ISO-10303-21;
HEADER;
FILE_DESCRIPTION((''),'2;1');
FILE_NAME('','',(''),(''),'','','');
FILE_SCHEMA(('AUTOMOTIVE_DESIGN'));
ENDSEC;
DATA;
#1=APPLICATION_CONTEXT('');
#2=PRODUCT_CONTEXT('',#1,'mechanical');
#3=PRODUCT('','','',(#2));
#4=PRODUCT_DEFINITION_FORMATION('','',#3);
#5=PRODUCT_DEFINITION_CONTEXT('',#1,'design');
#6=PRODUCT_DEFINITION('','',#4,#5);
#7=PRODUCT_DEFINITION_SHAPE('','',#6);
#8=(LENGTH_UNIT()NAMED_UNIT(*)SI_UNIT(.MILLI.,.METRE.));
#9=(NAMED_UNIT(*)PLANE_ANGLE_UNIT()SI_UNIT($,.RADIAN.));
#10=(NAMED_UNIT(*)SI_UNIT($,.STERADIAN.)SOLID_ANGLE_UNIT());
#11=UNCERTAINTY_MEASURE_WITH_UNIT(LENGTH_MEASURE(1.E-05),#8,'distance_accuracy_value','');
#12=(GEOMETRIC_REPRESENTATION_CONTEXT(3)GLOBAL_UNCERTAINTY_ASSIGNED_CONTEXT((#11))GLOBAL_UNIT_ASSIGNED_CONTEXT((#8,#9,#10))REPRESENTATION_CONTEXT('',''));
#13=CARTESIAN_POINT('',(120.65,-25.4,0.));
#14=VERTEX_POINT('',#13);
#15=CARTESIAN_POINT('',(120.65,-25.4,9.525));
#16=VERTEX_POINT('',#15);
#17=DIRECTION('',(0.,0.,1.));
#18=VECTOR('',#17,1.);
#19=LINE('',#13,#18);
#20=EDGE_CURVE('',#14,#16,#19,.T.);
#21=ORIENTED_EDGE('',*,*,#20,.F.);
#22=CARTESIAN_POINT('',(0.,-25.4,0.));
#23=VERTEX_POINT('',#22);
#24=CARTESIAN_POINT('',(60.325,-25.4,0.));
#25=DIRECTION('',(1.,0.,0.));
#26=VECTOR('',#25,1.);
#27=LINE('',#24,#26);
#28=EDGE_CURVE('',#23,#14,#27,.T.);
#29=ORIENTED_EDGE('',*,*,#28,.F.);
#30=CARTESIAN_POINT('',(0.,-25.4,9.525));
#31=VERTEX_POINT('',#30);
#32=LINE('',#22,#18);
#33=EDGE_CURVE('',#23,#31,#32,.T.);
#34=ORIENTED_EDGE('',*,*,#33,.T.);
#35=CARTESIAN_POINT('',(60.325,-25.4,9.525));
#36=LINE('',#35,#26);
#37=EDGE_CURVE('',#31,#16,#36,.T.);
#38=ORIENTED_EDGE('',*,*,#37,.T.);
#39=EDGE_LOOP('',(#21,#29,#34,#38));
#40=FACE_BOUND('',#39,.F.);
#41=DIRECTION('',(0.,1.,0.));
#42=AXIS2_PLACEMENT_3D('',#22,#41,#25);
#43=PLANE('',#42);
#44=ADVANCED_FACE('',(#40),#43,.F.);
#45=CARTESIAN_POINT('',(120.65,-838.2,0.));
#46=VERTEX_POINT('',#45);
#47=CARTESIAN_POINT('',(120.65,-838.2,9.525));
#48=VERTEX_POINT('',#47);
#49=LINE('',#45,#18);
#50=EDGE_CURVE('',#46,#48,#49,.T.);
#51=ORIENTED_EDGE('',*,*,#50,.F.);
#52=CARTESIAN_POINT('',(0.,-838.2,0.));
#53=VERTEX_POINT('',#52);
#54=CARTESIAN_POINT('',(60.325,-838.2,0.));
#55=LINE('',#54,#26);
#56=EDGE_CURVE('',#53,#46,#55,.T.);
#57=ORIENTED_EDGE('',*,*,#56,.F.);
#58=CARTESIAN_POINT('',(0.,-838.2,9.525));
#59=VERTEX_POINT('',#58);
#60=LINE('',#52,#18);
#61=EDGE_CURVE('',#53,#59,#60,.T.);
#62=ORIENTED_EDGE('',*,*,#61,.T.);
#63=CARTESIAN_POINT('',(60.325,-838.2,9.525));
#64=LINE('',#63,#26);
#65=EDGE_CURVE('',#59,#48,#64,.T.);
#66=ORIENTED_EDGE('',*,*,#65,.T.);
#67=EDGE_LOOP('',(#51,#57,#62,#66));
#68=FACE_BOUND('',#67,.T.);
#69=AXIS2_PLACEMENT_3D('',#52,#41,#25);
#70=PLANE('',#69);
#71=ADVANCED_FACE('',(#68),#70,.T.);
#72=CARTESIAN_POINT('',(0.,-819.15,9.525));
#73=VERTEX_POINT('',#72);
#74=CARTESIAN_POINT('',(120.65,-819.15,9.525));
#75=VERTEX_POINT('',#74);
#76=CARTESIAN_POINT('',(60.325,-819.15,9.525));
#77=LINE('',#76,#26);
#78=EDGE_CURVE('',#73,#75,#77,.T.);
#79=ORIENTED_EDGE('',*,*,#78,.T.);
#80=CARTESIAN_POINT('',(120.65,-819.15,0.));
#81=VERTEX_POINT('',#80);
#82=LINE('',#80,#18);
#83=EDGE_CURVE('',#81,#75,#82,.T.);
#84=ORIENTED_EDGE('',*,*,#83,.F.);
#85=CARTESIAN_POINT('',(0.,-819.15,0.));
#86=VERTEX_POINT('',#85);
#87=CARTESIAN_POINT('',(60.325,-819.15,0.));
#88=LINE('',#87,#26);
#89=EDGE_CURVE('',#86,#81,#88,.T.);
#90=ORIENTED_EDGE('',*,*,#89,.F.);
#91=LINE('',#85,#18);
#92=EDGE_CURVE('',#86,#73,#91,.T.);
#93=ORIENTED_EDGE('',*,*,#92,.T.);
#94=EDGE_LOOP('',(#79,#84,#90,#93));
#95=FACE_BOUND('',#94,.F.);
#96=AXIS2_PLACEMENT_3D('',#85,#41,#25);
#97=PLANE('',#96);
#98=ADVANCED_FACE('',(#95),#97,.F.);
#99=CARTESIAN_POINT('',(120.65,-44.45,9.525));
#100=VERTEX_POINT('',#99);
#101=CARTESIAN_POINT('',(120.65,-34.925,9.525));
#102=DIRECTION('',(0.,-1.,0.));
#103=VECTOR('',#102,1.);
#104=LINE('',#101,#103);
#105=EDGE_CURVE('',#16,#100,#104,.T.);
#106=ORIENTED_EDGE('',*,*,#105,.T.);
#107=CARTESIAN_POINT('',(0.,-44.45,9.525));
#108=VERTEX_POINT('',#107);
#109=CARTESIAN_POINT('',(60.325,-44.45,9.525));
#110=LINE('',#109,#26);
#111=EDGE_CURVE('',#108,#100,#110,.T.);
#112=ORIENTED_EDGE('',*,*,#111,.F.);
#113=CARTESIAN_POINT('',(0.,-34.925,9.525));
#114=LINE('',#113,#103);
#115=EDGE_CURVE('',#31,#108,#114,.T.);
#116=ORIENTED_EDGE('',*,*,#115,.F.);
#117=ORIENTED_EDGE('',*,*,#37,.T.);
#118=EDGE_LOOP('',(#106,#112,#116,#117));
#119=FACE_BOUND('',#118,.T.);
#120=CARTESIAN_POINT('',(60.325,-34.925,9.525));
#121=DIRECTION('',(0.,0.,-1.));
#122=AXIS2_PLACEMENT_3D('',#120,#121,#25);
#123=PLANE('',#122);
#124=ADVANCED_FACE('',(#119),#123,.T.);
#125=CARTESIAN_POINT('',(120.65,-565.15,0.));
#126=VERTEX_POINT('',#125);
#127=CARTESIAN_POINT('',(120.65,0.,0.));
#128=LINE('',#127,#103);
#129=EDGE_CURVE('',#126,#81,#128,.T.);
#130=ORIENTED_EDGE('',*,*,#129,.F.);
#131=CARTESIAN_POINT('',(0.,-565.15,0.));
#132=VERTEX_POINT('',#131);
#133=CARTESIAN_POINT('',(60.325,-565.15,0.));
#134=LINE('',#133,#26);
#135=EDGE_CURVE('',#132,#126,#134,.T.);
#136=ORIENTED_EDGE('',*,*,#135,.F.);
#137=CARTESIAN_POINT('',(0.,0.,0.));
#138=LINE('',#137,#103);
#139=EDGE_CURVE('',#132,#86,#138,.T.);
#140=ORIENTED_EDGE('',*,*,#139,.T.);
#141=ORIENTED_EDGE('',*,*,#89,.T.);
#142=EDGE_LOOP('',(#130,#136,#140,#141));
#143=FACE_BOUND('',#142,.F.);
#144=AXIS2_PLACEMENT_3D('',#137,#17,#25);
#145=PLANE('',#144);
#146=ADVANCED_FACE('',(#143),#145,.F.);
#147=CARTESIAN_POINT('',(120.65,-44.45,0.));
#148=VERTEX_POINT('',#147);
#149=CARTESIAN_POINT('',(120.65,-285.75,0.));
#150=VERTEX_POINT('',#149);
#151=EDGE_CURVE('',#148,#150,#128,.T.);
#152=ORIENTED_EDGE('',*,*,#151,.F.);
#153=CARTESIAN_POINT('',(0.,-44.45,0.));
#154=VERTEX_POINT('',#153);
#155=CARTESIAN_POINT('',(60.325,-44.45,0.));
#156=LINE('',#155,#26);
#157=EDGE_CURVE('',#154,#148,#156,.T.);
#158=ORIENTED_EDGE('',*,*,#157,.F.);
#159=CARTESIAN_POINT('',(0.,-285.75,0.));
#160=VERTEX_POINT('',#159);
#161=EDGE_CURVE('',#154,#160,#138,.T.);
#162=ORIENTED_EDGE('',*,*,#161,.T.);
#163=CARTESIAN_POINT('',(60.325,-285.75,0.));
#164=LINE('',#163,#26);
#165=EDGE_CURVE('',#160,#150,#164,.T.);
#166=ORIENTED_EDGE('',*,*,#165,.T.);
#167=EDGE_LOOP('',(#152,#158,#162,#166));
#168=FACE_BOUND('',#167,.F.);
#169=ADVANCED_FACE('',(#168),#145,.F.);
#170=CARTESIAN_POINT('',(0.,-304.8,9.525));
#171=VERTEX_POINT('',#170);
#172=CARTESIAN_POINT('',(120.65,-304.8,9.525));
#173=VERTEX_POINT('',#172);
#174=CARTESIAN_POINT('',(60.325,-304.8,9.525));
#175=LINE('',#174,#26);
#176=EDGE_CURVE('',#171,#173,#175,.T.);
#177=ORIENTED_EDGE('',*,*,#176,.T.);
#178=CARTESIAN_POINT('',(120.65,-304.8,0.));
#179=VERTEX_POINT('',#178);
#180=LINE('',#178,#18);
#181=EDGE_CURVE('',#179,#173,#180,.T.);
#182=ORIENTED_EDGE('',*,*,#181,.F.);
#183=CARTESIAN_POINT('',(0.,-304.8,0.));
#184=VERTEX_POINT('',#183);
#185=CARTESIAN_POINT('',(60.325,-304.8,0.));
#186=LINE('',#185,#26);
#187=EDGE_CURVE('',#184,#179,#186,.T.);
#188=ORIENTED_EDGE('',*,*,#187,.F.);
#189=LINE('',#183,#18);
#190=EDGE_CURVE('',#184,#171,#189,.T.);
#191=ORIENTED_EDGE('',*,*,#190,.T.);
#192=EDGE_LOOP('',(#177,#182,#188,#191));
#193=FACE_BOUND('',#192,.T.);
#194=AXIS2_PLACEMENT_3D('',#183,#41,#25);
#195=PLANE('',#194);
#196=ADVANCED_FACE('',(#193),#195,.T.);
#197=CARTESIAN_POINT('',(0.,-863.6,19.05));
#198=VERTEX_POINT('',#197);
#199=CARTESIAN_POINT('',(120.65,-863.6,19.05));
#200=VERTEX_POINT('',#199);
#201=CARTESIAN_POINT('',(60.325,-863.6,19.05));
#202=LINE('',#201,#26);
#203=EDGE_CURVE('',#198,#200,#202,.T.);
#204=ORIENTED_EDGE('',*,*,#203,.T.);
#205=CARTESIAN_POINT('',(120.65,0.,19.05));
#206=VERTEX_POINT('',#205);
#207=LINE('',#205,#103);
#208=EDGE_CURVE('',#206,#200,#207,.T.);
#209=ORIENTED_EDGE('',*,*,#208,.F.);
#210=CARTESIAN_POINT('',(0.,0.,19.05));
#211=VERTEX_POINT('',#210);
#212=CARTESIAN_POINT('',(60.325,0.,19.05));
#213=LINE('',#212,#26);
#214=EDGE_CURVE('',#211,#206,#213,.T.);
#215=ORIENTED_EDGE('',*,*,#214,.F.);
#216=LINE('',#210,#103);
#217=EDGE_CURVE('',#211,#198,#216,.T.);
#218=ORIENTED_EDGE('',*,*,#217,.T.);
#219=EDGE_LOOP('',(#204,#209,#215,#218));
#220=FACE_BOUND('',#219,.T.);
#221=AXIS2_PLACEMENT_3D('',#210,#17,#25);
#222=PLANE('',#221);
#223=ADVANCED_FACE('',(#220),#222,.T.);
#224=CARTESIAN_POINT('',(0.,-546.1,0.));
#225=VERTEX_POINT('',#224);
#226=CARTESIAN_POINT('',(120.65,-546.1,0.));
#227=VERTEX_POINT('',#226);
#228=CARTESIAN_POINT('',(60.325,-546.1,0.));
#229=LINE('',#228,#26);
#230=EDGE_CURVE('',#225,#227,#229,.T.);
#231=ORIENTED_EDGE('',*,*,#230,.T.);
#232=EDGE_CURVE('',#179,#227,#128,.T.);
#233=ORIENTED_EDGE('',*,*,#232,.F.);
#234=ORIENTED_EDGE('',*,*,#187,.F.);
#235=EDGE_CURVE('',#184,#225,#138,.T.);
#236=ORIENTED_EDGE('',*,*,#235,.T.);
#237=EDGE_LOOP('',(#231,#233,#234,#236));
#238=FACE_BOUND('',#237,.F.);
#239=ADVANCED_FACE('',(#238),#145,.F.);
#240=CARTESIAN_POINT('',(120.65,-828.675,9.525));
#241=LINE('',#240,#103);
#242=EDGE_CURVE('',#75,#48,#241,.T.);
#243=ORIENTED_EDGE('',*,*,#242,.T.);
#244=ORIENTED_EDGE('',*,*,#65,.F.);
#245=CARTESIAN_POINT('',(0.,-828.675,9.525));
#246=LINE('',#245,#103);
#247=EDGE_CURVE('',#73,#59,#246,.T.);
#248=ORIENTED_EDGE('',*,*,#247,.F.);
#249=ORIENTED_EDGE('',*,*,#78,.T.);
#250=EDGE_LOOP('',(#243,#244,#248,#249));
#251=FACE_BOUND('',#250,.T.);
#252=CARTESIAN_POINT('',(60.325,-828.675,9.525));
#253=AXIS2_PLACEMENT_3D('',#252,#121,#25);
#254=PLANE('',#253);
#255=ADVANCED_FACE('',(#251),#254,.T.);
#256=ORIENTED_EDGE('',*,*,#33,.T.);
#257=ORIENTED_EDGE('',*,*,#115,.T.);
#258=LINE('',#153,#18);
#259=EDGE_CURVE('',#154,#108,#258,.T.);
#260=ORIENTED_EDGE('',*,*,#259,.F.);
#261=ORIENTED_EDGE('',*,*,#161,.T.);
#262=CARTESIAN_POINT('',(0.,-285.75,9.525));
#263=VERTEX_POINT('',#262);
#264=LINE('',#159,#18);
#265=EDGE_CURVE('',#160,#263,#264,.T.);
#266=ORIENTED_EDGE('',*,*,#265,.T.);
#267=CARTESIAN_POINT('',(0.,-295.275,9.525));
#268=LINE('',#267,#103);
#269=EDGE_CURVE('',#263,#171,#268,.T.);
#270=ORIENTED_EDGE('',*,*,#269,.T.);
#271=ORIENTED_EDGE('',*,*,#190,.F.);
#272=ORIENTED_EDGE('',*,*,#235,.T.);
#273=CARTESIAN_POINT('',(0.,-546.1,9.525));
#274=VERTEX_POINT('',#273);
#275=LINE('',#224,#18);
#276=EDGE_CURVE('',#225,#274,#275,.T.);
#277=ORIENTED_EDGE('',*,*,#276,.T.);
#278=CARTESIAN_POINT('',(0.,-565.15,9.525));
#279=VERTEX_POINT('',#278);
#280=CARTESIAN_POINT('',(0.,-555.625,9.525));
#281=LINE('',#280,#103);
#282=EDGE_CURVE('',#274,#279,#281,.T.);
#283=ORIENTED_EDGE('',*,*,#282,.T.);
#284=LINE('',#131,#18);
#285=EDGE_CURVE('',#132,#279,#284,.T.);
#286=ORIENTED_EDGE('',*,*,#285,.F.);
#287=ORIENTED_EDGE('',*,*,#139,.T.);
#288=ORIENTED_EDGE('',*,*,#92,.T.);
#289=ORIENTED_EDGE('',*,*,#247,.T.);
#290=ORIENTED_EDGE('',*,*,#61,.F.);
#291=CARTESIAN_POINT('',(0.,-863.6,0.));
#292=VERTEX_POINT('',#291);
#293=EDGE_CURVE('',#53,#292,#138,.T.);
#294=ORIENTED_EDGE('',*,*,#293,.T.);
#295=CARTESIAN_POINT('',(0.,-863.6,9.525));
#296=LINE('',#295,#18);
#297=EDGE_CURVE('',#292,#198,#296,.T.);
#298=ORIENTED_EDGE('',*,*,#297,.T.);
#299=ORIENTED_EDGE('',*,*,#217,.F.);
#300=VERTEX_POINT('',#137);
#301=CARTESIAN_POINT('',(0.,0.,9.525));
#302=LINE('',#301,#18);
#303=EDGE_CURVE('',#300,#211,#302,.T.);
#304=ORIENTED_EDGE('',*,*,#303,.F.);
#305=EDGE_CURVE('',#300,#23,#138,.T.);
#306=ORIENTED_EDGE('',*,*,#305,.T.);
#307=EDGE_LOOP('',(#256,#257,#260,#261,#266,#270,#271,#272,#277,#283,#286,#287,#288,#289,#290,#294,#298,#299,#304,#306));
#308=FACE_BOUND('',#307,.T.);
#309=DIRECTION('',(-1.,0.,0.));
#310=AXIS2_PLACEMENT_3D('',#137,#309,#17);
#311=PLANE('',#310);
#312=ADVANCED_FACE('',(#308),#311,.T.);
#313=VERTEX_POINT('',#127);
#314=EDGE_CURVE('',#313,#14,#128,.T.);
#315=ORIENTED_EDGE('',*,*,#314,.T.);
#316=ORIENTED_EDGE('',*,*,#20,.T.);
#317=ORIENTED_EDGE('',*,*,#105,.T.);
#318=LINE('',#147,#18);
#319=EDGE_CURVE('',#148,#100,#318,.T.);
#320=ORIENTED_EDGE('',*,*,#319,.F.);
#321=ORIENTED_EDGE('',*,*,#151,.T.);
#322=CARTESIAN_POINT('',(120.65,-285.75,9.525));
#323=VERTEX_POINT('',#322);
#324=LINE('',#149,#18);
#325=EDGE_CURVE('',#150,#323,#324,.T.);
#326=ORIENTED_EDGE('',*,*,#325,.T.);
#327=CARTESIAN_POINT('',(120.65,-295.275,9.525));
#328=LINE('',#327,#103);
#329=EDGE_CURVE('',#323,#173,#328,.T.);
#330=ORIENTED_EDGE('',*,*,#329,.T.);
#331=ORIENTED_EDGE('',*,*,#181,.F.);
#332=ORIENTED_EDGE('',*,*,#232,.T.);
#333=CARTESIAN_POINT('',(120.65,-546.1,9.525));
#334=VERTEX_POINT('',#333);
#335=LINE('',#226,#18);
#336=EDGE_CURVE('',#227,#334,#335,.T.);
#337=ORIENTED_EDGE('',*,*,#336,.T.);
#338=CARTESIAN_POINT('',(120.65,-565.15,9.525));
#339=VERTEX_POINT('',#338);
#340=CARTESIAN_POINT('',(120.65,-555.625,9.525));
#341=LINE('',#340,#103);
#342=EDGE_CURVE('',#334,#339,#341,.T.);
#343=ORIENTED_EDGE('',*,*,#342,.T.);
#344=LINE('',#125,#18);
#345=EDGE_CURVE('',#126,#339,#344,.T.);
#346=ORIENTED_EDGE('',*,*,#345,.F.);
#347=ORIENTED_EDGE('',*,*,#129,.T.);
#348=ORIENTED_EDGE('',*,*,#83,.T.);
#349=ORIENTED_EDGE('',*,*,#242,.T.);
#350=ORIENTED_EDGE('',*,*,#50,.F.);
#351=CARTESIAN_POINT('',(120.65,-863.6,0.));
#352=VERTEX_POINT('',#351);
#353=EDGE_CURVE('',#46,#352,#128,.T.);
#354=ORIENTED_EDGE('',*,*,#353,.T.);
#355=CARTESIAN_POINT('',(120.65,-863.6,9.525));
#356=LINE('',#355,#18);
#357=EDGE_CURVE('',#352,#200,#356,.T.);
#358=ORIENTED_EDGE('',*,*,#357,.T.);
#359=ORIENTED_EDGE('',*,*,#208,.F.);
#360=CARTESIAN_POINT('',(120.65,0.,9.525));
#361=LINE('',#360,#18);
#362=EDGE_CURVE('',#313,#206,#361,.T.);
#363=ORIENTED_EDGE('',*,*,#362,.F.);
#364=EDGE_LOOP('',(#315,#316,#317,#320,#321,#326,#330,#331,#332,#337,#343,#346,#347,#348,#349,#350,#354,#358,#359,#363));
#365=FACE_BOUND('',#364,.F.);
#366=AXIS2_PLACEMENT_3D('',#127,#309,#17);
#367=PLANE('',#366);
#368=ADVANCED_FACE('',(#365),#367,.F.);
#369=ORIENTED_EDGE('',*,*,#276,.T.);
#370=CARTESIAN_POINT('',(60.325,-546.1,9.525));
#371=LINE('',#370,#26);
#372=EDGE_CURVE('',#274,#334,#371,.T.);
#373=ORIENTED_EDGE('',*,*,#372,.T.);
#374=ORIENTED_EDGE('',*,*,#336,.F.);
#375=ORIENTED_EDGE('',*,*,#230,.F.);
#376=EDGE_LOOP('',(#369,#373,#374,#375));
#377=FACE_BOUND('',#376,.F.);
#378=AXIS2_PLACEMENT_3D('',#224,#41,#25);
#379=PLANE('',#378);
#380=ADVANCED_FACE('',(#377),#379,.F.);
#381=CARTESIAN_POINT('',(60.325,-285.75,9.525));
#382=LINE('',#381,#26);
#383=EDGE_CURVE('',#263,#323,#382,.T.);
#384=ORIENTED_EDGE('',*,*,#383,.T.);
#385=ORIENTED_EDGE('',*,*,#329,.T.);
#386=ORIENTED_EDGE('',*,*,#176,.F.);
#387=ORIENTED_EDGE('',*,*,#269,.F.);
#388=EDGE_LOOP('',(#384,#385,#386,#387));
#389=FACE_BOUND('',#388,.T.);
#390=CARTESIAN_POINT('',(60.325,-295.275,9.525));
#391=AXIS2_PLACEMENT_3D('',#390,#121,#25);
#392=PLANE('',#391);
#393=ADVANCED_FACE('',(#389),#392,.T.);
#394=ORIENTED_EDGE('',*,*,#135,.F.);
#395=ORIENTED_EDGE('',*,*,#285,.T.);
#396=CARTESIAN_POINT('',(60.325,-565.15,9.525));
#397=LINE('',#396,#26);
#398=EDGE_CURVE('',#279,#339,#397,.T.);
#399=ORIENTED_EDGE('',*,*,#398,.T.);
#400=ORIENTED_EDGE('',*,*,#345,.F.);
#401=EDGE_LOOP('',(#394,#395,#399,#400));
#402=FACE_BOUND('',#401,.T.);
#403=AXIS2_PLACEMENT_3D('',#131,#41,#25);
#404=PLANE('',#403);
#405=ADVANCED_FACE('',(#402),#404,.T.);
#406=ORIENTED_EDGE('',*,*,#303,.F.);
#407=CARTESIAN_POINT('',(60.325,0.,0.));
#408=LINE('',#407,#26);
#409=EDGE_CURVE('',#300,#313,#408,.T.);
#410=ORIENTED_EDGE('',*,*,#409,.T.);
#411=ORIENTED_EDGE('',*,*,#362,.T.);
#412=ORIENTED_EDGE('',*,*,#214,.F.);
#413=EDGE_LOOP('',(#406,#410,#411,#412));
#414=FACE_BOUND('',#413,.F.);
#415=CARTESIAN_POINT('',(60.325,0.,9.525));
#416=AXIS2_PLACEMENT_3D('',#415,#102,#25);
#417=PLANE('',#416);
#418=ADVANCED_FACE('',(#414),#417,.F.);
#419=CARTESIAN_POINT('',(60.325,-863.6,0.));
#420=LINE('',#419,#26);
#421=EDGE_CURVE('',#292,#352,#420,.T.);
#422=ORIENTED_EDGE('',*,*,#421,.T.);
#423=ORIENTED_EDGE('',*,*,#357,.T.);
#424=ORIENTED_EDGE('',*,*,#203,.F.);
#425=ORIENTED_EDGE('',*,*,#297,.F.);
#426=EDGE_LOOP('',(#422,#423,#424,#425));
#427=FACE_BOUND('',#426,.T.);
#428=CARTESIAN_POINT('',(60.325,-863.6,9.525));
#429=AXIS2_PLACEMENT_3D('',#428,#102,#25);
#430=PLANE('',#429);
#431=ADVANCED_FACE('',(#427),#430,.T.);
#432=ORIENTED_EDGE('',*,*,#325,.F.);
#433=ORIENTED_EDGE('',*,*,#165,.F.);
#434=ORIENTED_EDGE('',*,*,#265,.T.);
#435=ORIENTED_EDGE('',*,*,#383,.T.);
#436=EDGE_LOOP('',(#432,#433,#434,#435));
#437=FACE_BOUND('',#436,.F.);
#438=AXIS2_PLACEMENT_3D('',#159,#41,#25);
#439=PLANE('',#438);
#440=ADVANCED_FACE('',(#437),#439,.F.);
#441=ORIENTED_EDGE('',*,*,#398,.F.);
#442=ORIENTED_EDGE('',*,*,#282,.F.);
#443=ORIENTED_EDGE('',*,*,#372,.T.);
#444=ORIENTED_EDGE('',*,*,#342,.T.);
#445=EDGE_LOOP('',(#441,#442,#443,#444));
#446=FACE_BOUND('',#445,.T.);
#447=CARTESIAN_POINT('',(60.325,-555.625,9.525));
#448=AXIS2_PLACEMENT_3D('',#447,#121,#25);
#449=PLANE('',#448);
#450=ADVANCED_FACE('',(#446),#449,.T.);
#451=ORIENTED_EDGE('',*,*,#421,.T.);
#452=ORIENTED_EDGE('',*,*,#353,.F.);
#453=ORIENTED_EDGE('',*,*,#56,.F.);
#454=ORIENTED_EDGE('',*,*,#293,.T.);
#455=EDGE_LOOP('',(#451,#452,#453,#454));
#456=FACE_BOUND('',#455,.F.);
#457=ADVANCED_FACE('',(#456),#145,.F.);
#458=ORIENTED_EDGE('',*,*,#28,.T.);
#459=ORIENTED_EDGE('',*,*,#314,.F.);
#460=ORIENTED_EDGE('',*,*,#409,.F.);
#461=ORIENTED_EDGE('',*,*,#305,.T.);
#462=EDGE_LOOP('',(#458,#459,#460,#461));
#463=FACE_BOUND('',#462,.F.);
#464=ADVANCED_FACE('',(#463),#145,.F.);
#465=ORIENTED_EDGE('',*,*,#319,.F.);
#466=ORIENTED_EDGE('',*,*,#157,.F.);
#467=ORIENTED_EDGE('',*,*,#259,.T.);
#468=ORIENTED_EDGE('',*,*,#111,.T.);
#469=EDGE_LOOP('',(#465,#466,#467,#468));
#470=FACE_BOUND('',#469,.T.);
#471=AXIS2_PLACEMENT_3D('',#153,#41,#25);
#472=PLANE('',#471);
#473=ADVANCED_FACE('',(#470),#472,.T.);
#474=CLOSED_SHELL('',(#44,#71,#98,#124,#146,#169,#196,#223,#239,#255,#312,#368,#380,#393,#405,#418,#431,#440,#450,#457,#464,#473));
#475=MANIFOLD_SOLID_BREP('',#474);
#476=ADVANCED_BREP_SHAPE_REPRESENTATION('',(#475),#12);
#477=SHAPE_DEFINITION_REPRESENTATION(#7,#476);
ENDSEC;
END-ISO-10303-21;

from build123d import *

# Parameters (mm, degrees)
F0_W     = 120.65
F0_H     = 19.05
F1_DEPTH = 863.6
F2_W     = 120.65
F2_H     = 19.05
F3_DEPTH = 9.525


with BuildPart() as f1:
    # F0 (on Front) → F1 (new body)
    with BuildSketch(Plane.XZ):
        with Locations((60.325, 9.525)):
            Rectangle(F0_W, F0_H)
    extrude(amount=F1_DEPTH)

    # F2 (on face) → F3 (cut)
    with BuildSketch(Plane(origin=(0, 0, 0), x_dir=(1, 0, 0), z_dir=(0, 0, -1))):
        with Locations((60.325, 828.675)):
            Rectangle(F2_W, F2_H)
        with Locations((60.325, 34.925)):
            Rectangle(F2_W, F2_H)
        with Locations((60.325, 295.275)):
            Rectangle(F2_W, F2_H)
        with Locations((60.325, 555.625)):
            Rectangle(F2_W, F2_H)
    extrude(amount=-F3_DEPTH, mode=Mode.SUBTRACT)


solid = f1.part
